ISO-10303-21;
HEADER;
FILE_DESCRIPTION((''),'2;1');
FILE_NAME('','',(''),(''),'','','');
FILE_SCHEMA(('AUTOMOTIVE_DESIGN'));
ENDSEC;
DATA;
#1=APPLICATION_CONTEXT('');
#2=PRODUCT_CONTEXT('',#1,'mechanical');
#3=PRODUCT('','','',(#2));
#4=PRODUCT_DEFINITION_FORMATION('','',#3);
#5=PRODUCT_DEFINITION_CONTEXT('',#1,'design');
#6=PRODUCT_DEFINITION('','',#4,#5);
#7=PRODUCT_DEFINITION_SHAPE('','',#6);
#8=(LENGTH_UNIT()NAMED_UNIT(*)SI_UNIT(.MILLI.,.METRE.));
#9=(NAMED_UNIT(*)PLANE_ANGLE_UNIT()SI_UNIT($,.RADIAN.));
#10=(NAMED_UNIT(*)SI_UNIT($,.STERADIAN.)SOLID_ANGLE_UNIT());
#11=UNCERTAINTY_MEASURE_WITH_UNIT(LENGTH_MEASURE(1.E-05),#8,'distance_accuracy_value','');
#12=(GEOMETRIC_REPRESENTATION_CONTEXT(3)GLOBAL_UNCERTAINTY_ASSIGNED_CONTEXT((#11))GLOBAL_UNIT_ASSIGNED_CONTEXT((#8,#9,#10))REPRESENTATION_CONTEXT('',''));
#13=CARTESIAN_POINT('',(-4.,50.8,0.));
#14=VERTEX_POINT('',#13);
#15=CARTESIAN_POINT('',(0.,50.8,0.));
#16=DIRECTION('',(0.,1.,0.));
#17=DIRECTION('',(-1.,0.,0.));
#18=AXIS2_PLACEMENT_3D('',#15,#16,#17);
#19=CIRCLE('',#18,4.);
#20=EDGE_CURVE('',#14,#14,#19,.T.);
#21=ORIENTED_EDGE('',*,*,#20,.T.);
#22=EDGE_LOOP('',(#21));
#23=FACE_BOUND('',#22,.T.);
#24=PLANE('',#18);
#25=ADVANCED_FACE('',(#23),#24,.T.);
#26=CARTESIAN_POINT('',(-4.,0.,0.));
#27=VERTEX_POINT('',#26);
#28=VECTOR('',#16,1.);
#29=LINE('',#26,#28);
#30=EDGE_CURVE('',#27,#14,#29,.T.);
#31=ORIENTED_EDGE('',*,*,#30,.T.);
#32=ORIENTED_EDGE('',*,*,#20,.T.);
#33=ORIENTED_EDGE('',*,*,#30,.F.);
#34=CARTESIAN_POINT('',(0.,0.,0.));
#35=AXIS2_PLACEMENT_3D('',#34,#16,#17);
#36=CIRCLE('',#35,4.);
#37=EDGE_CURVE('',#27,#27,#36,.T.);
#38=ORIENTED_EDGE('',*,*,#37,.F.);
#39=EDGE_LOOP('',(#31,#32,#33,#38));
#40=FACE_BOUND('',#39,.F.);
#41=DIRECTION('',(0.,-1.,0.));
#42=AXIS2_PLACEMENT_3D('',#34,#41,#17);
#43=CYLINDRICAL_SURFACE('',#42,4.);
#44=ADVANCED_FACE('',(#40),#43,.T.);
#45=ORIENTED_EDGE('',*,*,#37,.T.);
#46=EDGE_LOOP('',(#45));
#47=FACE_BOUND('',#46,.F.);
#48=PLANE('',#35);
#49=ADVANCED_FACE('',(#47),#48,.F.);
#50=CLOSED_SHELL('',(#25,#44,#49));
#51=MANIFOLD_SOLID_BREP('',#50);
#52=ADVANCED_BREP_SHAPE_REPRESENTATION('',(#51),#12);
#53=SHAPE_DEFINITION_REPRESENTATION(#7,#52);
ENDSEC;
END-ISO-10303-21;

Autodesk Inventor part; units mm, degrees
ref_plane "YZ Plane" through (0, 0, 0) normal (1, 0, 0) x (0, 1, 0)
ref_plane "XZ Plane" through (0, 0, 0) normal (0, 1, 0) x (-1, 0, 0)
ref_plane "XY Plane" through (0, 0, 0) normal (0, 0, 1) x (1, 0, 0)
sketch "Sketch1" plane through (0, 0, 0) normal (0, 1, 0) x (-1, 0, 0)
  circle A0 centre (0, 0) radius 4
  dimension "d0" = 8
extrude "Extrusion1" add sketch "Sketch1" along normal blind 50.8
properties part number "ciggy"
